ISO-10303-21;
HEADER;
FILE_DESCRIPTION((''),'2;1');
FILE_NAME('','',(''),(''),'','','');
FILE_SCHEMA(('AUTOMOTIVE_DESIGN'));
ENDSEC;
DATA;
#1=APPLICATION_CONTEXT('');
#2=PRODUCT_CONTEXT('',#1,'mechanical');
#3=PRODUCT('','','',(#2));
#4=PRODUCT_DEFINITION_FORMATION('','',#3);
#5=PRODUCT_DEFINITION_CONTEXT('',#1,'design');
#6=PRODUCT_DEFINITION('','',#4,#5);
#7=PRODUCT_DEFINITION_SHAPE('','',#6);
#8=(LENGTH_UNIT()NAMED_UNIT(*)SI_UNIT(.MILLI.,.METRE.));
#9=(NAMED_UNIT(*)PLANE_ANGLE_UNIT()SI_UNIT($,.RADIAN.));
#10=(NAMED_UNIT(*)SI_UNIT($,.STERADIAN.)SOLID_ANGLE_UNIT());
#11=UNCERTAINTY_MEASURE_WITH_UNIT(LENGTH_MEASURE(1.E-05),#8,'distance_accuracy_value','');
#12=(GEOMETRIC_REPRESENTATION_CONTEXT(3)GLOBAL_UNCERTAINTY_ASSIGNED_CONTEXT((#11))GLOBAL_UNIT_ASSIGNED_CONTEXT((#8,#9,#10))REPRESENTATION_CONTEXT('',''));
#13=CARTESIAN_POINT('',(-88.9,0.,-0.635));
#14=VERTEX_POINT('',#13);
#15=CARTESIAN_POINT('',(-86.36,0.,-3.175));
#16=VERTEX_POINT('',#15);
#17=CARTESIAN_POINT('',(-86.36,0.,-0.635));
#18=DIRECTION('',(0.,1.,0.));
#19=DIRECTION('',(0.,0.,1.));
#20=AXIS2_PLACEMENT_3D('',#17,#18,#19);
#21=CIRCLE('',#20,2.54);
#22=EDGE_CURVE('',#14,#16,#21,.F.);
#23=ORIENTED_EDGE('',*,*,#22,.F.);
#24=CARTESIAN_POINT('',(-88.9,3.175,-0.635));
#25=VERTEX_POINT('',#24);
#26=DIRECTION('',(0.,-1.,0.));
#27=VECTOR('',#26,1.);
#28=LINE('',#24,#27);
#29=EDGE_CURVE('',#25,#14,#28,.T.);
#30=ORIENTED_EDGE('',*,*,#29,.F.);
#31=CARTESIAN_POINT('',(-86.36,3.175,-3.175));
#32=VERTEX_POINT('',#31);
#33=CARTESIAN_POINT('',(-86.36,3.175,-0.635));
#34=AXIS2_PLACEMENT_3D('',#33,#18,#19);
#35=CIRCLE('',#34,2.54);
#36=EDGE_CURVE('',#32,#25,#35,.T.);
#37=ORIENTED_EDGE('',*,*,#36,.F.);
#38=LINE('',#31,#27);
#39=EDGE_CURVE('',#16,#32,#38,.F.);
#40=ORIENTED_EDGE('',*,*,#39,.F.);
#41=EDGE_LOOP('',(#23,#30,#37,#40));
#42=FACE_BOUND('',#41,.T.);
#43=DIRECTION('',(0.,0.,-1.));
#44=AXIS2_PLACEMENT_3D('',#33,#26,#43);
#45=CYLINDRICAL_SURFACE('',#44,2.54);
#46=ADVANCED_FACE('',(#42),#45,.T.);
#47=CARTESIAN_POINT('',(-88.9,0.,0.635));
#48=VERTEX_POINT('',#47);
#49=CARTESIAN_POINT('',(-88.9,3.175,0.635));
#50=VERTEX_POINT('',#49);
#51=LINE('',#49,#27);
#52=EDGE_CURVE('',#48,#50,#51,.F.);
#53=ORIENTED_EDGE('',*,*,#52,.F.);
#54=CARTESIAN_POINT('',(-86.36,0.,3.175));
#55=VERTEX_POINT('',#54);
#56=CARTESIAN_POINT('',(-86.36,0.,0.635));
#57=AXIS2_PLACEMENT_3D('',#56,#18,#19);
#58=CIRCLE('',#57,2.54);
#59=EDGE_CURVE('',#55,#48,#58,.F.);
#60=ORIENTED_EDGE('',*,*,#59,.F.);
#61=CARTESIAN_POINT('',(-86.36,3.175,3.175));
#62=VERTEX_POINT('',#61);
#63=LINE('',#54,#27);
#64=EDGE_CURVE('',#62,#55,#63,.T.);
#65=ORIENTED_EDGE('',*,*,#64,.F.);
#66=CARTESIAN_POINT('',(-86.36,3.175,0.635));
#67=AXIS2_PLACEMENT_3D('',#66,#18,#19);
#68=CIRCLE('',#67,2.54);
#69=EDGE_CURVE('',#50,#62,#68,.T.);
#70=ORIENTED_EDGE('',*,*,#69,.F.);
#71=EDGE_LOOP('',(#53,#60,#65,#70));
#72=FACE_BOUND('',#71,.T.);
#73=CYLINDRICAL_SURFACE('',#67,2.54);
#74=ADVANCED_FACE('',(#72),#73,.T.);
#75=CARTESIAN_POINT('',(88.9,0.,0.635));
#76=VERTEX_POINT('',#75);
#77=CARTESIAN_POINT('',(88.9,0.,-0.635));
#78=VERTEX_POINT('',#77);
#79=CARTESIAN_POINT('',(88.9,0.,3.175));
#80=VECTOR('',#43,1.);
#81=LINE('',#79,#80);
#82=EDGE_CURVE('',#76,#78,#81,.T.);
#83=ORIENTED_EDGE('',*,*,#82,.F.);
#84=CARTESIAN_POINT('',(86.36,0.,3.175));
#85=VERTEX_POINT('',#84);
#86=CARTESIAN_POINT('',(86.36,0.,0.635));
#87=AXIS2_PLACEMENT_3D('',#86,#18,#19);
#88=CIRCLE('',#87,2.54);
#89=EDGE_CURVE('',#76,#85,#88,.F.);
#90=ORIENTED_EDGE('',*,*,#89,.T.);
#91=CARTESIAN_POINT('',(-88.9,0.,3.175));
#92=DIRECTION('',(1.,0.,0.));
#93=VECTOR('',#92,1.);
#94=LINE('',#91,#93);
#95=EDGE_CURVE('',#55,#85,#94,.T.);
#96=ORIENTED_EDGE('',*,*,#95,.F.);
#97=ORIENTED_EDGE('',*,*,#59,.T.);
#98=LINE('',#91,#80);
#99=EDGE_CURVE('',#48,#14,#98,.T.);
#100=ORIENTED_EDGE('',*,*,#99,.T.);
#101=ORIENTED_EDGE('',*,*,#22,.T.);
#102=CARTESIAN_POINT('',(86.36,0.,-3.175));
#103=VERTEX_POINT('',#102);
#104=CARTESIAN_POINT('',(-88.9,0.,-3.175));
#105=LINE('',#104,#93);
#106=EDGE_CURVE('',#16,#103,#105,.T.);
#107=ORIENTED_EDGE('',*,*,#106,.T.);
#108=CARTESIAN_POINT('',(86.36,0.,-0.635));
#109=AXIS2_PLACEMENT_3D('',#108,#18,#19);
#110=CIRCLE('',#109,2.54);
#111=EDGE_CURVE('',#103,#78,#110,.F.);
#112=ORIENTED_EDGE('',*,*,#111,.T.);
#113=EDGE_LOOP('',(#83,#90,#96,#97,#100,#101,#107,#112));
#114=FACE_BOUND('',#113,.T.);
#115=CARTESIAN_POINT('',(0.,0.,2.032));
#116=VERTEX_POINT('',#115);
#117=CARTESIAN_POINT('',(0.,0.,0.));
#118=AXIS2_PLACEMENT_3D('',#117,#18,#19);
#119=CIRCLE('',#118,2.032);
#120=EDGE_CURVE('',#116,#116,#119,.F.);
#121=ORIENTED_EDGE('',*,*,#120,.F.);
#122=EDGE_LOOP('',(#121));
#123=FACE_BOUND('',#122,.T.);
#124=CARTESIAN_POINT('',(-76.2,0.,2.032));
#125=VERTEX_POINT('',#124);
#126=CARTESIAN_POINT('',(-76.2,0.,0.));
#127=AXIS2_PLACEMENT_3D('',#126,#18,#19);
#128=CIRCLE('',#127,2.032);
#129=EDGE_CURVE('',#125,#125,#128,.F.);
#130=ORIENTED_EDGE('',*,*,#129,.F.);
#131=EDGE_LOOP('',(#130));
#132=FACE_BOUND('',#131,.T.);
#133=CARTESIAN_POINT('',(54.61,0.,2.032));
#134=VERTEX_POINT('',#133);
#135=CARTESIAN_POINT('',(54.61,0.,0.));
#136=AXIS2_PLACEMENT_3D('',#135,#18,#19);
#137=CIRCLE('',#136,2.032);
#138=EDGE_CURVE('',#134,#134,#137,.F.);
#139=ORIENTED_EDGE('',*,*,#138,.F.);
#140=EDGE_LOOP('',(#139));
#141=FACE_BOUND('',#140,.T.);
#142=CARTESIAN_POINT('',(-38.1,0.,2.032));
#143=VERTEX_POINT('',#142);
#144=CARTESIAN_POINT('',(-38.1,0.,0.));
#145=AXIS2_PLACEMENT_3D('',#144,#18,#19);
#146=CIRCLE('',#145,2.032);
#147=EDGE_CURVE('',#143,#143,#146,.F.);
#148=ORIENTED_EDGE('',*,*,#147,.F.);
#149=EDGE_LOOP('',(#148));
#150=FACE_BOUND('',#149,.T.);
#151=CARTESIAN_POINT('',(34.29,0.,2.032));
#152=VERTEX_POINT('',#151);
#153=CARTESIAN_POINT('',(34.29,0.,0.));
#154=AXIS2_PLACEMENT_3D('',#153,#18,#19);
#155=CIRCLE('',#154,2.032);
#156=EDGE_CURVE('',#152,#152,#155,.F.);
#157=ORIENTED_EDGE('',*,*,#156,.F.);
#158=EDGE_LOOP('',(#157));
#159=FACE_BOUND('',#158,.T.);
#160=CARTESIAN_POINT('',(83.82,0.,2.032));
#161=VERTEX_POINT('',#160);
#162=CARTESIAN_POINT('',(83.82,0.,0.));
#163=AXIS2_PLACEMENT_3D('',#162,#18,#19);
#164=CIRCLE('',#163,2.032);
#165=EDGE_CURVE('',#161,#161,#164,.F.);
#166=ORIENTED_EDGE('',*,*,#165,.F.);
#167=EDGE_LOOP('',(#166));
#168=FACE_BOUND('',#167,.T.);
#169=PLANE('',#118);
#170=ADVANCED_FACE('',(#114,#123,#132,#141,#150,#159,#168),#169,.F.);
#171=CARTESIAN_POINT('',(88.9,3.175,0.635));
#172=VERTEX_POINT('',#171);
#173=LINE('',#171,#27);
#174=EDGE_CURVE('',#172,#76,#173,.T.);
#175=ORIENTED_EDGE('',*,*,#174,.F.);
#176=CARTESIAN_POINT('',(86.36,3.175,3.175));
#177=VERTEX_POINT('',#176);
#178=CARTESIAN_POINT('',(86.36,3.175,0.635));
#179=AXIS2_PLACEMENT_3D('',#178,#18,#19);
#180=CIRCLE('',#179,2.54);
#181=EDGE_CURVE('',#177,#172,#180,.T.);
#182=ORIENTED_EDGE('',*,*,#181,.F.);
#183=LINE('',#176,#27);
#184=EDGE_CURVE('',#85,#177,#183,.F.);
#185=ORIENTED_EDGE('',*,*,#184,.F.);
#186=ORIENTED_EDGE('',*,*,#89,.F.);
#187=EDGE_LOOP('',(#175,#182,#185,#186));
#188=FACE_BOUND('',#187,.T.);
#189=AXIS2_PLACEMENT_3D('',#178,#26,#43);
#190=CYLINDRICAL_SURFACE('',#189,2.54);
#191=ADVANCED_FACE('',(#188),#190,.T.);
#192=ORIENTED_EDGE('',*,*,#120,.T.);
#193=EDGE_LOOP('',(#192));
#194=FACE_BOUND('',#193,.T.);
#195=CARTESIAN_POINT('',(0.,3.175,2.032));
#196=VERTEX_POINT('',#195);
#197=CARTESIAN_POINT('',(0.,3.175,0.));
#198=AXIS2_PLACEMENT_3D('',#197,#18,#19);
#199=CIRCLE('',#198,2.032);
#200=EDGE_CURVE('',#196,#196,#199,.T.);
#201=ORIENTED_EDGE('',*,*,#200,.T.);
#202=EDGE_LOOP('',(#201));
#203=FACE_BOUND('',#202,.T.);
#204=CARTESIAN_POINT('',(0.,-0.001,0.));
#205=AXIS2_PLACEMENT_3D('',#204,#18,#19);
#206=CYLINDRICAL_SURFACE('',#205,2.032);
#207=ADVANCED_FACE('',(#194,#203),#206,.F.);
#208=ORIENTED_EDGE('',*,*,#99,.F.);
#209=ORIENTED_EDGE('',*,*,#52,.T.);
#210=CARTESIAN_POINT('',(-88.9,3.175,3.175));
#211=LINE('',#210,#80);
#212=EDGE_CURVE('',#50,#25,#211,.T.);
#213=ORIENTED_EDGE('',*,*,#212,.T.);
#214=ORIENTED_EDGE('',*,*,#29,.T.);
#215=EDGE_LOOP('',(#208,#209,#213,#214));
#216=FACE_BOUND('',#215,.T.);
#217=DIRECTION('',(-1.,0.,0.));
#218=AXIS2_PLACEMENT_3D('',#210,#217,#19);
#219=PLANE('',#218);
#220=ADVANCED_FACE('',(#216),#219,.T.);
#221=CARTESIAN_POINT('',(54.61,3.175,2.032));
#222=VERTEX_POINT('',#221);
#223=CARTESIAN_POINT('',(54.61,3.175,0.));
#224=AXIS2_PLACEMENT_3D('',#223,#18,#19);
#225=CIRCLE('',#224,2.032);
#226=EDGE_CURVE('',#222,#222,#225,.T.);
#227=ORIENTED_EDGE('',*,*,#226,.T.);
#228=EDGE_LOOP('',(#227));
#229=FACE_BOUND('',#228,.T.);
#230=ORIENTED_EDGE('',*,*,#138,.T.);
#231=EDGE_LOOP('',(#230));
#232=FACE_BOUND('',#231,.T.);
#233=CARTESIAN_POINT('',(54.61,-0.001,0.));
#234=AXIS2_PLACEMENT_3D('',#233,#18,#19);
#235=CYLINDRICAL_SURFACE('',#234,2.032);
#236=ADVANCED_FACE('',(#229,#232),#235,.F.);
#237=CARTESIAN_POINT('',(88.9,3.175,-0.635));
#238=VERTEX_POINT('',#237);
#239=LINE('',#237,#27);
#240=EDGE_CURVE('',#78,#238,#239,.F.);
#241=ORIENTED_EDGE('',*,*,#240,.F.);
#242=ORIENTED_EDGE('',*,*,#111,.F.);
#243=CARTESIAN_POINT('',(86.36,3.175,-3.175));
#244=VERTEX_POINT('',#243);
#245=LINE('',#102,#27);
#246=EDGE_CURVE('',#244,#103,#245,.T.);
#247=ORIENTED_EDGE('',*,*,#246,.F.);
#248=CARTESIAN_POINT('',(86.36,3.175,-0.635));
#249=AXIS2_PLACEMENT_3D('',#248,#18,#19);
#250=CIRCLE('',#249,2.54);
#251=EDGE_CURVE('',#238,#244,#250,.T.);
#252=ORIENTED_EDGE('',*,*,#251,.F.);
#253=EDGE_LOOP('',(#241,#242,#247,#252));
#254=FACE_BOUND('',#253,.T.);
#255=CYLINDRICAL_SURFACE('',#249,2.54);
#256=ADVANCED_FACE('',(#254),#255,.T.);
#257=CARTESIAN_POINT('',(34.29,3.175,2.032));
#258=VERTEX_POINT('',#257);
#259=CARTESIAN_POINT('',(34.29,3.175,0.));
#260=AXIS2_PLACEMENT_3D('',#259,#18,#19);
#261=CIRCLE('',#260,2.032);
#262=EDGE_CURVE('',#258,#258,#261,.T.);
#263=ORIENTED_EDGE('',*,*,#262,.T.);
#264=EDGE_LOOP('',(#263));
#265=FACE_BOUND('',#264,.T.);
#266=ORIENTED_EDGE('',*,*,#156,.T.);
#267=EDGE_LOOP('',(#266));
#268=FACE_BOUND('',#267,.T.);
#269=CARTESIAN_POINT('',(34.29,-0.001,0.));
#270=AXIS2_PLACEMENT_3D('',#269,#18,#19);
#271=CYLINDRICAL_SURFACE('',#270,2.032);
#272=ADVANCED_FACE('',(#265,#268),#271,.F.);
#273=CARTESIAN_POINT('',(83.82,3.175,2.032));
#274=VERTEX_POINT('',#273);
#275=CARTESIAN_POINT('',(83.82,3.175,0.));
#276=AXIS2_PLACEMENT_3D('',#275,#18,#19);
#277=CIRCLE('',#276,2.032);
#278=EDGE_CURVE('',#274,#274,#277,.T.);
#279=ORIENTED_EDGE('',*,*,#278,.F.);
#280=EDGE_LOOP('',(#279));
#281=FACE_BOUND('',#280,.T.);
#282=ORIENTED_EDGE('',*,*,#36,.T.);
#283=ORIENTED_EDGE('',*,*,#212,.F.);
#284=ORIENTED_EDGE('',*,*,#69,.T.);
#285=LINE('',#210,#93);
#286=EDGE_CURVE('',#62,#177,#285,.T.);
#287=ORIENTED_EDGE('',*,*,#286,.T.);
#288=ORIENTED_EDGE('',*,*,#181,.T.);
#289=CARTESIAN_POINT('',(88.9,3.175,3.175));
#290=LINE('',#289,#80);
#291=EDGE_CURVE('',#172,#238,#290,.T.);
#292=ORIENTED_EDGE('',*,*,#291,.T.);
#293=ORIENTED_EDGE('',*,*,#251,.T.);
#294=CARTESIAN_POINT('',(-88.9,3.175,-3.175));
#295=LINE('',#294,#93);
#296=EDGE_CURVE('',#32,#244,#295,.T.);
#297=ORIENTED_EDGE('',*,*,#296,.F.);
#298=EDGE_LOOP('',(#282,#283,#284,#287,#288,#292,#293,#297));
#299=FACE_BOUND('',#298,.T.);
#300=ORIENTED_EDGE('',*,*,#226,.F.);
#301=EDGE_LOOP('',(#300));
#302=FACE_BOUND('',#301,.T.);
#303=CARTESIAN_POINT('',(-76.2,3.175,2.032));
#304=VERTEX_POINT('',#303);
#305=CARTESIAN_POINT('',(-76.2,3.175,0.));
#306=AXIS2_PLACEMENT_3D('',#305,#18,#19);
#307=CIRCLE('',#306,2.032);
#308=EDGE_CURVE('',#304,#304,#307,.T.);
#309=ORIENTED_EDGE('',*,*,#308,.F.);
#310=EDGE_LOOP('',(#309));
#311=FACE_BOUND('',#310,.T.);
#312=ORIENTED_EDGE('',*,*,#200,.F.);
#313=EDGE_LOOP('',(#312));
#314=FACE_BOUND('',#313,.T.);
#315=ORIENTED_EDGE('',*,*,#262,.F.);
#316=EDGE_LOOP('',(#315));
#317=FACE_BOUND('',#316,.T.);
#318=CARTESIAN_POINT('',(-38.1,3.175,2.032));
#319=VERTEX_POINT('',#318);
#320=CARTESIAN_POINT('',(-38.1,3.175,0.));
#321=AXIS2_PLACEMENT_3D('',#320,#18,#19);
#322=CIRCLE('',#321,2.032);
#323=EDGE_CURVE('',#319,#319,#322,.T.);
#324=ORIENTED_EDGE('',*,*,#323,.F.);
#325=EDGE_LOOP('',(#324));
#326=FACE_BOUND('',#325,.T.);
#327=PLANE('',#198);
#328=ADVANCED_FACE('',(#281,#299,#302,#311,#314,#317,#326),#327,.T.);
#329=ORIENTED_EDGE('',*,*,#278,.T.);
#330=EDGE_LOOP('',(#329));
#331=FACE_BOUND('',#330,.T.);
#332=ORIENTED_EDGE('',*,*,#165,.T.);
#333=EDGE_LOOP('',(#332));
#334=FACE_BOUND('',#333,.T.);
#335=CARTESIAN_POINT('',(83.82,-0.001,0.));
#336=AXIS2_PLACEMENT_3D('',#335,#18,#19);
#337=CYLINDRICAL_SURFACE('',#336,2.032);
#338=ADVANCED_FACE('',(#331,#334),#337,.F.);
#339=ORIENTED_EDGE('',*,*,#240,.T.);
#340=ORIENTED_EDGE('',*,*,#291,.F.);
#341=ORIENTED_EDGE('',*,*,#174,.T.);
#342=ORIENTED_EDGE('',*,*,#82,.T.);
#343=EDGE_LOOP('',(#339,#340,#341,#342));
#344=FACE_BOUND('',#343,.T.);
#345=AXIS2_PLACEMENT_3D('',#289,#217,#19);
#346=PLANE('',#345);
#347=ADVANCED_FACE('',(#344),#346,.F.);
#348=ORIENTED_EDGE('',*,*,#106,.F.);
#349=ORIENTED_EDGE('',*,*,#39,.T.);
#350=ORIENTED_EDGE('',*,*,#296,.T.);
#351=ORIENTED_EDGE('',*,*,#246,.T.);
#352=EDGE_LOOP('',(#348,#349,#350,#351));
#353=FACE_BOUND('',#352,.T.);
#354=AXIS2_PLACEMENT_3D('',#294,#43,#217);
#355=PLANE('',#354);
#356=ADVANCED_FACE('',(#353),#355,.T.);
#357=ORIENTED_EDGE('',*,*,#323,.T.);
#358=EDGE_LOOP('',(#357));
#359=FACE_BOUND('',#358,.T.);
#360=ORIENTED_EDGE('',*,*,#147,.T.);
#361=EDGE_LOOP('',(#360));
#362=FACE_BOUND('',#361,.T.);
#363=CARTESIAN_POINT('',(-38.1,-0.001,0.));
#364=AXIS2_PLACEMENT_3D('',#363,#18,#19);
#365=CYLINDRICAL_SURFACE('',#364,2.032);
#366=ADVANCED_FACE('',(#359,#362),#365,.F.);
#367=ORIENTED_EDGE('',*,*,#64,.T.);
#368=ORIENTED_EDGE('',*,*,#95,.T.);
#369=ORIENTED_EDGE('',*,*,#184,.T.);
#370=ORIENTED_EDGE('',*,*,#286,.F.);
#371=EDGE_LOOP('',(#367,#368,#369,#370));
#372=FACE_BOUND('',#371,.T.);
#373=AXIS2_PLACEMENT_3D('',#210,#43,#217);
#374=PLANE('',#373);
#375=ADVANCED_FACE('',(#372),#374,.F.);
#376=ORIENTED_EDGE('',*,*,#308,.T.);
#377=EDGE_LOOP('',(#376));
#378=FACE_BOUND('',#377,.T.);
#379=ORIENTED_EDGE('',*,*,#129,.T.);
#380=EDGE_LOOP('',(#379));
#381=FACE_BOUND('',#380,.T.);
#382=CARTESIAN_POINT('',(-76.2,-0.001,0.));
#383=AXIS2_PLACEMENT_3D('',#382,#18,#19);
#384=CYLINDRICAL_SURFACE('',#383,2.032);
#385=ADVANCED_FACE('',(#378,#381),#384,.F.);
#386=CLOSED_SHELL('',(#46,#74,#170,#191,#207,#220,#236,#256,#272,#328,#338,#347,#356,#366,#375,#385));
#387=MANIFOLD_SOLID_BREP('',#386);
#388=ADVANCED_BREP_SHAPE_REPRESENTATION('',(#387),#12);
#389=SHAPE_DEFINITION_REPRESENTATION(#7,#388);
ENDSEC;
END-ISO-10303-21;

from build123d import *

# Parameters (mm, degrees)
SKETCH1_W           = 177.8
SKETCH1_H           = 6.35
BOSS_EXTRUDE1_DEPTH = 3.175
FILLET1_R           = 2.54
CUT_EXTRUDE1_REACH  = 91.013
SKETCH2_R           = 2.032


with BuildPart() as part:
    # Sketch1 → Boss-Extrude1 (new body)
    with BuildSketch(Plane(origin=(0, 0, 0), x_dir=(1, 0, 0), z_dir=(0, 1, 0))):
        Rectangle(SKETCH1_W, SKETCH1_H)
    extrude(amount=BOSS_EXTRUDE1_DEPTH)

    # Fillet1
    fillet1_edges = [part.edges().sort_by_distance(p)[0] for p in [
        (-88.9, 1.5875, 3.175),
        (-88.9, 1.5875, -3.175),
        (88.9, 1.5875, -3.175),
        (88.9, 1.5875, 3.175),
    ]]
    fillet(fillet1_edges, radius=FILLET1_R)

    # Sketch2 → Cut-Extrude1 (cut, up to next)
    with BuildSketch(Plane(origin=(0, 3.175, 0), x_dir=(1, 0, 0), z_dir=(0, 1, 0)), mode=Mode.PRIVATE) as cut_extrude1_sk1:
        with Locations(Location((-76.2, 0, 0), (0, 0, 270))):
            Circle(SKETCH2_R)
    cut_extrude1_tool1 = extrude(cut_extrude1_sk1.sketch, amount=-CUT_EXTRUDE1_REACH, mode=Mode.PRIVATE) & part.part
    # Sketch2 → Cut-Extrude1 (cut, up to next)
    with BuildSketch(Plane(origin=(0, 3.175, 0), x_dir=(1, 0, 0), z_dir=(0, 1, 0)), mode=Mode.PRIVATE) as cut_extrude1_sk2:
        with Locations(Location((0, 0, 0), (0, 0, 270))):
            Circle(SKETCH2_R)
    cut_extrude1_tool2 = extrude(cut_extrude1_sk2.sketch, amount=-CUT_EXTRUDE1_REACH, mode=Mode.PRIVATE) & part.part
    # Sketch2 → Cut-Extrude1 (cut, up to next)
    with BuildSketch(Plane(origin=(0, 3.175, 0), x_dir=(1, 0, 0), z_dir=(0, 1, 0)), mode=Mode.PRIVATE) as cut_extrude1_sk3:
        with Locations(Location((-38.1, 0, 0), (0, 0, 270))):
            Circle(SKETCH2_R)
    cut_extrude1_tool3 = extrude(cut_extrude1_sk3.sketch, amount=-CUT_EXTRUDE1_REACH, mode=Mode.PRIVATE) & part.part
    # Sketch2 → Cut-Extrude1 (cut, up to next)
    with BuildSketch(Plane(origin=(0, 3.175, 0), x_dir=(1, 0, 0), z_dir=(0, 1, 0)), mode=Mode.PRIVATE) as cut_extrude1_sk4:
        with Locations(Location((83.82, 0, 0), (0, 0, 270))):
            Circle(SKETCH2_R)
    cut_extrude1_tool4 = extrude(cut_extrude1_sk4.sketch, amount=-CUT_EXTRUDE1_REACH, mode=Mode.PRIVATE) & part.part
    # Sketch2 → Cut-Extrude1 (cut, up to next)
    with BuildSketch(Plane(origin=(0, 3.175, 0), x_dir=(1, 0, 0), z_dir=(0, 1, 0)), mode=Mode.PRIVATE) as cut_extrude1_sk5:
        with Locations(Location((54.61, 0, 0), (0, 0, 270))):
            Circle(SKETCH2_R)
    cut_extrude1_tool5 = extrude(cut_extrude1_sk5.sketch, amount=-CUT_EXTRUDE1_REACH, mode=Mode.PRIVATE) & part.part
    # Sketch2 → Cut-Extrude1 (cut, up to next)
    with BuildSketch(Plane(origin=(0, 3.175, 0), x_dir=(1, 0, 0), z_dir=(0, 1, 0)), mode=Mode.PRIVATE) as cut_extrude1_sk6:
        with Locations(Location((34.29, 0, 0), (0, 0, 270))):
            Circle(SKETCH2_R)
    cut_extrude1_tool6 = extrude(cut_extrude1_sk6.sketch, amount=-CUT_EXTRUDE1_REACH, mode=Mode.PRIVATE) & part.part
    add(cut_extrude1_tool1.solids().sort_by_distance((-76.2, 3.175, 0))[0], mode=Mode.SUBTRACT)
    add(cut_extrude1_tool2.solids().sort_by_distance((0, 3.175, 0))[0], mode=Mode.SUBTRACT)
    add(cut_extrude1_tool3.solids().sort_by_distance((-38.1, 3.175, 0))[0], mode=Mode.SUBTRACT)
    add(cut_extrude1_tool4.solids().sort_by_distance((83.82, 3.175, 0))[0], mode=Mode.SUBTRACT)
    add(cut_extrude1_tool5.solids().sort_by_distance((54.61, 3.175, 0))[0], mode=Mode.SUBTRACT)
    add(cut_extrude1_tool6.solids().sort_by_distance((34.29, 3.175, 0))[0], mode=Mode.SUBTRACT)


solid = part.part
